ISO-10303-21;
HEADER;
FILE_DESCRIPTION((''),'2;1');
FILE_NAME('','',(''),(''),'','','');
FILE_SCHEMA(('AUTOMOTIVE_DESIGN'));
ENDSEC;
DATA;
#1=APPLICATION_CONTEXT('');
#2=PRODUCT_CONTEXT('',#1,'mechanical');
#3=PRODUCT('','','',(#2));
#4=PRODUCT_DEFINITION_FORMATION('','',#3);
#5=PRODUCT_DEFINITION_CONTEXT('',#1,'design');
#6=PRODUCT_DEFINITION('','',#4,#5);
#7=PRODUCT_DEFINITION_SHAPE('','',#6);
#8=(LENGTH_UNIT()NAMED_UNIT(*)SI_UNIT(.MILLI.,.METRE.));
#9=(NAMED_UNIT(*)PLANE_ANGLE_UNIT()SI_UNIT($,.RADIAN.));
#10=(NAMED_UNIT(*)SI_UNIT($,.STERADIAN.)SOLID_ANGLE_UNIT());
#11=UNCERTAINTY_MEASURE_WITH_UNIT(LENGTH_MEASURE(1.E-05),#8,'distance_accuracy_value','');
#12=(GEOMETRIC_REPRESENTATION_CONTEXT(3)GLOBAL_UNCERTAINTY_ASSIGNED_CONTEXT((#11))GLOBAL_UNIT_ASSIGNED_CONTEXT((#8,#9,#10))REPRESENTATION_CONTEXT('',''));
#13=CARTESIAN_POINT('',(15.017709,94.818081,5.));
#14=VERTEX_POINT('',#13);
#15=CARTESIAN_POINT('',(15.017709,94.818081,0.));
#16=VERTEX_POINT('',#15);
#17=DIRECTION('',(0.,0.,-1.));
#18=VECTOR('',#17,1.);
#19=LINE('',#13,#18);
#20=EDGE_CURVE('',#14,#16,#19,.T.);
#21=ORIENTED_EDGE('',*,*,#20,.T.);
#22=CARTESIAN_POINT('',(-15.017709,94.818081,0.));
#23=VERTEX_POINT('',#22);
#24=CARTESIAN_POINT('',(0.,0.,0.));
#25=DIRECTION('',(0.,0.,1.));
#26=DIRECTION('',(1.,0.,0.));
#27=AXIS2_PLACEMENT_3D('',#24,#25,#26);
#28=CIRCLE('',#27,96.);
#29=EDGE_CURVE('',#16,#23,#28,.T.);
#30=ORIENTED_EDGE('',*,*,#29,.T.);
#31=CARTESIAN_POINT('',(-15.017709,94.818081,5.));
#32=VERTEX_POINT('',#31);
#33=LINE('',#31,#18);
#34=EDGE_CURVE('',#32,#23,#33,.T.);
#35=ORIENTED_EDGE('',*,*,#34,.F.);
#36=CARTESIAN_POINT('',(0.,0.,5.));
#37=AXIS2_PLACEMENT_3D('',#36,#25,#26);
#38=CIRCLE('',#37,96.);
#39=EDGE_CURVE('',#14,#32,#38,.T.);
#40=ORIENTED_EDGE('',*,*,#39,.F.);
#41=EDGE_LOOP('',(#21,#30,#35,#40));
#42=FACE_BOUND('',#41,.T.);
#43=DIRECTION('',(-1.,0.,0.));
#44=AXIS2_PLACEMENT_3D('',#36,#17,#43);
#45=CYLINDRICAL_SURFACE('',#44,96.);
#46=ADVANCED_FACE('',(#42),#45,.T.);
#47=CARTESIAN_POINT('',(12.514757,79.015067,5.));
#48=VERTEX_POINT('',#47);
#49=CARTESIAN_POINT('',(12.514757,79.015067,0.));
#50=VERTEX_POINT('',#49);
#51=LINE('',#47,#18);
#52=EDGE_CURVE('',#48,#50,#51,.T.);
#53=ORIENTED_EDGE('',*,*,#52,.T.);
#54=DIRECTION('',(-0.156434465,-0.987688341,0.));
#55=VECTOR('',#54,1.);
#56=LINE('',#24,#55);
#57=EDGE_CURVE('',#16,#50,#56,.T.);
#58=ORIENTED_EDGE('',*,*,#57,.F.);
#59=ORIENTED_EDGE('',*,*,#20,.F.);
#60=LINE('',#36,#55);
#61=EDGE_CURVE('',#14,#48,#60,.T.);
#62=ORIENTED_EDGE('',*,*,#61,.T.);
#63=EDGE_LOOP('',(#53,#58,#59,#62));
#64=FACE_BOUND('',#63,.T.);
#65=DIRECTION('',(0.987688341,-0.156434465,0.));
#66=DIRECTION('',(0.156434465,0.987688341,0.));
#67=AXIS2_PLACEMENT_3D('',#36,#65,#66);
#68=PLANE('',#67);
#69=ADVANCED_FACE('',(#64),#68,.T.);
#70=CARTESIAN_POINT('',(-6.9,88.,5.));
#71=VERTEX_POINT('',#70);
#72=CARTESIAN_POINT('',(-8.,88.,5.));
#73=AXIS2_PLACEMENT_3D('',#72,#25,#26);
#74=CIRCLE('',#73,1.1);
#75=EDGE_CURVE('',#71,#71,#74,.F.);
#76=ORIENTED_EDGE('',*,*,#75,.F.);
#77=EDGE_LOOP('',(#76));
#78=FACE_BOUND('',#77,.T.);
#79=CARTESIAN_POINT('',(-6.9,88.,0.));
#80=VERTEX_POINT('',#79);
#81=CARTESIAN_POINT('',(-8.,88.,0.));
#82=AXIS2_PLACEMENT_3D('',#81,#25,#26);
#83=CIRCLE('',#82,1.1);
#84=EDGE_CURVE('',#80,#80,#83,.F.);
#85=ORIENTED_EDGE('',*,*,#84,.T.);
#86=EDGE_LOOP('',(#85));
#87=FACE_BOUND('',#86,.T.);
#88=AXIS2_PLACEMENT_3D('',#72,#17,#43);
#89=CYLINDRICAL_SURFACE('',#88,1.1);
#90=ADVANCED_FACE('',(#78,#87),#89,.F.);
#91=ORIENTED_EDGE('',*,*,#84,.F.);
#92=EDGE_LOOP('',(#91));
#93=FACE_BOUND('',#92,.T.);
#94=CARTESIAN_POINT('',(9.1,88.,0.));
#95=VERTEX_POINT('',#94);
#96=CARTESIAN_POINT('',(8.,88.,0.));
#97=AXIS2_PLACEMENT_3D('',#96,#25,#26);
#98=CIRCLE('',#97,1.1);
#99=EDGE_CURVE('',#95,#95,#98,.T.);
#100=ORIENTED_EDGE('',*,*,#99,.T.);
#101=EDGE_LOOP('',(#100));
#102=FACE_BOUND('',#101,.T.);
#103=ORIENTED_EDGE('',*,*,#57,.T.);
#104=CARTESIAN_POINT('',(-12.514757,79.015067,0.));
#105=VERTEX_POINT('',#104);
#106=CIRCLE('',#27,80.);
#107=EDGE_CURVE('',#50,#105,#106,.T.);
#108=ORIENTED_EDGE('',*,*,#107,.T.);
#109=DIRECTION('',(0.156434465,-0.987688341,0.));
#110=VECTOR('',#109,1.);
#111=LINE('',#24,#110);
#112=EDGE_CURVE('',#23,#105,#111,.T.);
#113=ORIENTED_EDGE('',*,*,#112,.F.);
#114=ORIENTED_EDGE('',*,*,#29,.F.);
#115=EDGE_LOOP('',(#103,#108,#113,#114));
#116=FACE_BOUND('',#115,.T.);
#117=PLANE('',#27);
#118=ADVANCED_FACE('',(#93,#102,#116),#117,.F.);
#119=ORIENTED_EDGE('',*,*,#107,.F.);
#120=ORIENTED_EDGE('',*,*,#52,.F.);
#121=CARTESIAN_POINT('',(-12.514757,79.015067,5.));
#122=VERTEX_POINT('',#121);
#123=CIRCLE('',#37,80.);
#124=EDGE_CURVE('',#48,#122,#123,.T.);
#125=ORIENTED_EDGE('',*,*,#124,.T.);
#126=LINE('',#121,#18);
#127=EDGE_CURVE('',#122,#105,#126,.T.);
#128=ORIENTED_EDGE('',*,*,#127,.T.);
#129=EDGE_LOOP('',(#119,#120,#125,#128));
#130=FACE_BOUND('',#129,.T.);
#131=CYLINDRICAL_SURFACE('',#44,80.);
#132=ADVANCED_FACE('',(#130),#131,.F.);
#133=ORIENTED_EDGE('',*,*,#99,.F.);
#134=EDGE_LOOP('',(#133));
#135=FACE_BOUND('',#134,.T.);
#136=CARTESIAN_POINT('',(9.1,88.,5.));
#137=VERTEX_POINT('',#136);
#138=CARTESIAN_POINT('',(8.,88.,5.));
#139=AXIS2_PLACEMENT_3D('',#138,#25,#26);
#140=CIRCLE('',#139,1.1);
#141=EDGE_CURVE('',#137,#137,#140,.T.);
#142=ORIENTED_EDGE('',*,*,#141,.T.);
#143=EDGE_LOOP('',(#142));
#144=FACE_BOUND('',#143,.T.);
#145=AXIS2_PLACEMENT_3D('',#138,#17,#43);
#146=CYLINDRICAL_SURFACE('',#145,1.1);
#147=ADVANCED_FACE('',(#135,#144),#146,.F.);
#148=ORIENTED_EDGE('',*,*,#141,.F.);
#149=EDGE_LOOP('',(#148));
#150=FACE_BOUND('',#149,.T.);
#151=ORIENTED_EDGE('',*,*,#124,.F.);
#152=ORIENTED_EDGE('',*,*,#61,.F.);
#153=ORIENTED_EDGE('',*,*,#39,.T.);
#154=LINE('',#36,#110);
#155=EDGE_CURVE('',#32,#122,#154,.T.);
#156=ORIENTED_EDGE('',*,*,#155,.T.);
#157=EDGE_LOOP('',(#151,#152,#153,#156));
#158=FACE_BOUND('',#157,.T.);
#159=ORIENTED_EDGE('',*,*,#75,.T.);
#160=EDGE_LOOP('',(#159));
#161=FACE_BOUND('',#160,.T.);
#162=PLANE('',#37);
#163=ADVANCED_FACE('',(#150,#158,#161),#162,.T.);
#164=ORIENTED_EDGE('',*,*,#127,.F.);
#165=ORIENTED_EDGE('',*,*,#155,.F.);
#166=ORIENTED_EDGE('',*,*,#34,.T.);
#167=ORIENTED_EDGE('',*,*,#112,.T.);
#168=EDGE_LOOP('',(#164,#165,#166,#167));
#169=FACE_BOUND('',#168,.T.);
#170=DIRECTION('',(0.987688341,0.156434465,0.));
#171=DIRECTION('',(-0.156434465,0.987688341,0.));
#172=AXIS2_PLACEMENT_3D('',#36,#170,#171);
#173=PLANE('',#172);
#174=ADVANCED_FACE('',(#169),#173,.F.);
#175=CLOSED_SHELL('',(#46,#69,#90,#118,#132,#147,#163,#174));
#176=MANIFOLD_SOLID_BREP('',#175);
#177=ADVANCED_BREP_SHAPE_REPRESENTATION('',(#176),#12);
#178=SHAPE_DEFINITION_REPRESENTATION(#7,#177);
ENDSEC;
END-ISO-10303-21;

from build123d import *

# Parameters (mm, degrees)
SKETCH1_R           = 1.1
BOSS_EXTRUDE1_DEPTH = 5


with BuildPart() as part:
    # Sketch1 → Boss-Extrude1 (new body)
    with BuildSketch(Plane.XY):
        with BuildLine():
            Line((-13.453363993, 84.941197291), (-12.514757203, 79.015067248))
            ThreePointArc((-12.514757203, 79.015067248), (0, 80), (12.514757203, 79.015067248))
            Line((12.514757203, 79.015067248), (13.453363993, 84.941197291))
            Line((13.453363993, 84.941197291), (14.079101854, 88.891950654))
            Line((14.079101854, 88.891950654), (15.017708644, 94.818080697))
            ThreePointArc((15.017708644, 94.818080697), (0, 96), (-15.017708644, 94.818080697))
            Line((-15.017708644, 94.818080697), (-14.079101854, 88.891950654))
            Line((-14.079101854, 88.891950654), (-13.453363993, 84.941197291))
        make_face()
        with Locations((-8, 88)):
            Circle(SKETCH1_R, mode=Mode.SUBTRACT)
        with Locations((8, 88)):
            Circle(SKETCH1_R, mode=Mode.SUBTRACT)
    extrude(amount=BOSS_EXTRUDE1_DEPTH)


solid = part.part
